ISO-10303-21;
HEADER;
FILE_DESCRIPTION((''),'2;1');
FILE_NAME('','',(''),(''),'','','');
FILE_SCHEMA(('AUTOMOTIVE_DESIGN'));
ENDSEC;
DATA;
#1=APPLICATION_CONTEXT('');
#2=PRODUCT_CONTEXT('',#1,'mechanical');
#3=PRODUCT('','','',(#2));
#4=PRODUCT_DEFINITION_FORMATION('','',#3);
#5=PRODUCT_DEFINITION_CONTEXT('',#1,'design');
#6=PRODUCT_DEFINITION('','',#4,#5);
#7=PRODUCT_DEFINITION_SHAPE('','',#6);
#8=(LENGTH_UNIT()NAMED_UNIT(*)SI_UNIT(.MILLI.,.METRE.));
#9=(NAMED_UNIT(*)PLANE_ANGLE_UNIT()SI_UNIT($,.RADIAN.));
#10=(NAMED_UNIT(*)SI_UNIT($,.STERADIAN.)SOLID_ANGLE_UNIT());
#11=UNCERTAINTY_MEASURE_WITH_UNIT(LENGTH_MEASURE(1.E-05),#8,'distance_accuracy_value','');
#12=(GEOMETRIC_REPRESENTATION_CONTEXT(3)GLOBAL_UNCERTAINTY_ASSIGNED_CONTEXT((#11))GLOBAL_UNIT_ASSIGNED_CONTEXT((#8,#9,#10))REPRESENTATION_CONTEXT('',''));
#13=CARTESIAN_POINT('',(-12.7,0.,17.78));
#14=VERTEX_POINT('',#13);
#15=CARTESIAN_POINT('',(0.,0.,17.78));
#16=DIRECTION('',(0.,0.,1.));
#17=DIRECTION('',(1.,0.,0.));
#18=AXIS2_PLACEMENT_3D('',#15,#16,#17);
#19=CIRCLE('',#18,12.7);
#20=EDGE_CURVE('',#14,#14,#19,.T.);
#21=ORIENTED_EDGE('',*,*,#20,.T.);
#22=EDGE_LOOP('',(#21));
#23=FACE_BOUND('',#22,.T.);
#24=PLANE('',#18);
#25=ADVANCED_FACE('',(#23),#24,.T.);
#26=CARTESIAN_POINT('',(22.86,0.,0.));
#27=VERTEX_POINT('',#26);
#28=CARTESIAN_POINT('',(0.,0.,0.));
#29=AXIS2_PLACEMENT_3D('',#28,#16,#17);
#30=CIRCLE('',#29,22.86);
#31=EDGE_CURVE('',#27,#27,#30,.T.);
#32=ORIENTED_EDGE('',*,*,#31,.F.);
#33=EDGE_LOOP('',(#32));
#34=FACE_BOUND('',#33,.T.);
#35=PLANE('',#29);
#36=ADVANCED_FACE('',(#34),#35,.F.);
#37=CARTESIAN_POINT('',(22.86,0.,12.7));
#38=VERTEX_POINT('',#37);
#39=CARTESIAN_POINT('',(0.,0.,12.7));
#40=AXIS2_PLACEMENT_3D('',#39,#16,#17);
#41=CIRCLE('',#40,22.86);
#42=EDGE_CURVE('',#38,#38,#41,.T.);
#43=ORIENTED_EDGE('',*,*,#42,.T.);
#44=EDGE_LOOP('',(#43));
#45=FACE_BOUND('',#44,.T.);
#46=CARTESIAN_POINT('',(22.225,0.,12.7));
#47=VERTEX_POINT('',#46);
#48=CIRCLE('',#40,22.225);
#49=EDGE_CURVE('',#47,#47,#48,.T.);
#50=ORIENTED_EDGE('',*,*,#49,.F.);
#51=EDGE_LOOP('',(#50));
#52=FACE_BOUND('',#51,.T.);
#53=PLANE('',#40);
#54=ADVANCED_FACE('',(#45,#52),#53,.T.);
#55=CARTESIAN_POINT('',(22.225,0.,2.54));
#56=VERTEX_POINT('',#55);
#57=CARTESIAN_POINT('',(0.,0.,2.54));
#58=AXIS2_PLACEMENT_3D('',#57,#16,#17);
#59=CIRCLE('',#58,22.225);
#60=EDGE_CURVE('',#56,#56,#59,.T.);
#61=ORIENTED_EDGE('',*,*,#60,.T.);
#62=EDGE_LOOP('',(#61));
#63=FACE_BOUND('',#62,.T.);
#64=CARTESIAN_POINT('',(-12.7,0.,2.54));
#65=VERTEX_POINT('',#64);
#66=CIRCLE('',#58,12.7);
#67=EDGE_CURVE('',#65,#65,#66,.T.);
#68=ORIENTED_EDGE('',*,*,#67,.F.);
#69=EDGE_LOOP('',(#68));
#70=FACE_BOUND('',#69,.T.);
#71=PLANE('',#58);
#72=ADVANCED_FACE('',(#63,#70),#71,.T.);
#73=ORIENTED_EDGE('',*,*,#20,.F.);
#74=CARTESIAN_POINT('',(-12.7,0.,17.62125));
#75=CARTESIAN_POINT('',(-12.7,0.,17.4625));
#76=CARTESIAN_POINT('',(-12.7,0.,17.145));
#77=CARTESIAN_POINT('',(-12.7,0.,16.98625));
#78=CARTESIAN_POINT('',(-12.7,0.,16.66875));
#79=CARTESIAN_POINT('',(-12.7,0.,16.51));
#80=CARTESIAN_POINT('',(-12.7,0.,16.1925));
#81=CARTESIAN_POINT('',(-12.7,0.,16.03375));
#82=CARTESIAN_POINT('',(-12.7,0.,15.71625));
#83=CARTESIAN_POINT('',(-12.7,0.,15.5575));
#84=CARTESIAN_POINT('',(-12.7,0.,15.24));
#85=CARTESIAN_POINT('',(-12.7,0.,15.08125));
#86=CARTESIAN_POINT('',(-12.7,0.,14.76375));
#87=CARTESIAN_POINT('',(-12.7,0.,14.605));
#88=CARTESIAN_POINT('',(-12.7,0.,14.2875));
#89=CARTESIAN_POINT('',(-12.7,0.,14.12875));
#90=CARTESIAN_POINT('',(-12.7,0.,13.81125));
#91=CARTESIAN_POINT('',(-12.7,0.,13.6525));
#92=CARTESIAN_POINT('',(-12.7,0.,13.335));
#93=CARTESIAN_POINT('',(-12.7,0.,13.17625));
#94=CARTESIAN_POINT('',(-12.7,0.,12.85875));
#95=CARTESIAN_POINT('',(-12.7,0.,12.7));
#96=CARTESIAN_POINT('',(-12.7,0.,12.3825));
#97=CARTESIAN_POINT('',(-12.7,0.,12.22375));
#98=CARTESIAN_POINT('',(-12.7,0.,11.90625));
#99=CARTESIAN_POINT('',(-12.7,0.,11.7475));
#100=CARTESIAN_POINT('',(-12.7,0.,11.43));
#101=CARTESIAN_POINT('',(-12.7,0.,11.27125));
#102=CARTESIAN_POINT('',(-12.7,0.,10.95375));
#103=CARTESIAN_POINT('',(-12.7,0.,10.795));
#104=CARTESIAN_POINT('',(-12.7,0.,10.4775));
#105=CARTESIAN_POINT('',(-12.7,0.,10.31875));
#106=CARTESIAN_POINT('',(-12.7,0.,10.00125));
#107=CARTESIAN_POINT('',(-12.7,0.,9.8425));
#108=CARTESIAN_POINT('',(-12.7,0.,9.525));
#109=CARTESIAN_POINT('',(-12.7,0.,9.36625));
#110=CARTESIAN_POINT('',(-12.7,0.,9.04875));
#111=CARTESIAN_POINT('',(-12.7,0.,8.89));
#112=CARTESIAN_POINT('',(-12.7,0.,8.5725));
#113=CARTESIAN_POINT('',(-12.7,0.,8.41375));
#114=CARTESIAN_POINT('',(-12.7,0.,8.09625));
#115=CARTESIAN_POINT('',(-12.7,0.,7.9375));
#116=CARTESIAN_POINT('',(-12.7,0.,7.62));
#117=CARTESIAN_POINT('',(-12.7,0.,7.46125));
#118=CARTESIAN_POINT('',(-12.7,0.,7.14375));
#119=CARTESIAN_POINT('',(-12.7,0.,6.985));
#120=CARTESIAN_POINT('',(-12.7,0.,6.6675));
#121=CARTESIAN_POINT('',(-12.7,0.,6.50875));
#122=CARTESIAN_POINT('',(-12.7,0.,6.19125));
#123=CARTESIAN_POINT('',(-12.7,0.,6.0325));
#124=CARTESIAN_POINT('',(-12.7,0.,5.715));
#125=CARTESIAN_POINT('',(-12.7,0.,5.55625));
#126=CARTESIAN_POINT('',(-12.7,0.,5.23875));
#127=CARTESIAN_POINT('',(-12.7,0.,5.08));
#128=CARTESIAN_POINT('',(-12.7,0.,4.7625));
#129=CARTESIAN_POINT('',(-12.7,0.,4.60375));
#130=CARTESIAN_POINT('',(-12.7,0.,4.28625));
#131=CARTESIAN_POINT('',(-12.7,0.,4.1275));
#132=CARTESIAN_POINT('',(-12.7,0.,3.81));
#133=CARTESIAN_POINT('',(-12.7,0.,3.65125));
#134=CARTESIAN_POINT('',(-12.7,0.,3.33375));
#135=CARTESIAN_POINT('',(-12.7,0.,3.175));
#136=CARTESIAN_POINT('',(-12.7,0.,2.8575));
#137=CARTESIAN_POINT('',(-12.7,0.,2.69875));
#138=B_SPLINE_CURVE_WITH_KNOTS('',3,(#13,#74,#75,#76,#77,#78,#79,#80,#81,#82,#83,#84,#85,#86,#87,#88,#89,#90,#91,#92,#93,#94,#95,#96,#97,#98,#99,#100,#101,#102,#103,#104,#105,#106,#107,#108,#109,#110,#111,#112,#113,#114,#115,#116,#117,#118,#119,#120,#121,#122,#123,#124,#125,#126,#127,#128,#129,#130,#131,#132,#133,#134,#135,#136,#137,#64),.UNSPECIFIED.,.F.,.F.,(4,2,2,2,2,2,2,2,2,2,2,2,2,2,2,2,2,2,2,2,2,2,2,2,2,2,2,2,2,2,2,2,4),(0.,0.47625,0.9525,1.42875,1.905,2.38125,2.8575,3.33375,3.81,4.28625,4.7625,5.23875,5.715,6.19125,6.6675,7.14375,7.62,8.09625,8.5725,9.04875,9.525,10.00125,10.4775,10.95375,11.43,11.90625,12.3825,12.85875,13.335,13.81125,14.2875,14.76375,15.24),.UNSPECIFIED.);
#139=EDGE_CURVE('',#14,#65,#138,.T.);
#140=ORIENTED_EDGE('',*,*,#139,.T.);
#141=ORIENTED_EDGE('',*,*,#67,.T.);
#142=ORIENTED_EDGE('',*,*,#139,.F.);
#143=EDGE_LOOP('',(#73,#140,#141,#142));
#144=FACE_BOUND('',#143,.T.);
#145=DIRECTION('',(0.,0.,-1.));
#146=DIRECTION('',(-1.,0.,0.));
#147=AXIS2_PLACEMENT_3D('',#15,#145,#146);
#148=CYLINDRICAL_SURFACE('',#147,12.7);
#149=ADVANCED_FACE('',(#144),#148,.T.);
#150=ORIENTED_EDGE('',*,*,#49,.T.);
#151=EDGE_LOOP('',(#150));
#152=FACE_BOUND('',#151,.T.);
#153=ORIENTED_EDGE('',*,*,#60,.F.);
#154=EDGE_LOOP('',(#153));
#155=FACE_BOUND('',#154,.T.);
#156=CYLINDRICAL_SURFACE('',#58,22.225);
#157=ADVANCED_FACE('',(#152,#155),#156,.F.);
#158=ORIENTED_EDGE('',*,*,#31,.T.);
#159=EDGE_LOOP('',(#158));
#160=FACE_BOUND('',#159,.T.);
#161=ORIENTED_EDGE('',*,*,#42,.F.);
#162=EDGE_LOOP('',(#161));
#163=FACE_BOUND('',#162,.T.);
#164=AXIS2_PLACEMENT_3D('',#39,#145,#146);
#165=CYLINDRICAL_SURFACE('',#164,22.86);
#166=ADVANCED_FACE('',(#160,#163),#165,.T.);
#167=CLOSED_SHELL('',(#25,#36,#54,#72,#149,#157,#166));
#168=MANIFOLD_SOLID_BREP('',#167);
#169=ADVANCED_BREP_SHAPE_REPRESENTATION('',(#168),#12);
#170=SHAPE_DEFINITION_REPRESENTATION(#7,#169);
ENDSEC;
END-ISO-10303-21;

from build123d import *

# Parameters (mm, degrees)
SKETCH1_R           = 22.86
BOSS_EXTRUDE1_DEPTH = 12.7
SKETCH2_R           = 22.225
CUT_EXTRUDE1_DEPTH  = 10.16
SKETCH3_R           = 12.7
BOSS_EXTRUDE2_DEPTH = 15.24


with BuildPart() as part:
    # Sketch1 → Boss-Extrude1 (new body)
    with BuildSketch(Plane.XY):
        Circle(SKETCH1_R)
    extrude(amount=BOSS_EXTRUDE1_DEPTH)

    # Sketch2 → Cut-Extrude1 (cut)
    with BuildSketch(Plane.XY.offset(12.7)):
        Circle(SKETCH2_R)
    extrude(amount=-CUT_EXTRUDE1_DEPTH, mode=Mode.SUBTRACT)

    # Sketch3 → Boss-Extrude2 (add)
    with BuildSketch(Plane.XY.offset(2.54)):
        with Locations(Location((0, 0, 0), (0, 0, 180))):
            Circle(SKETCH3_R)
    extrude(amount=BOSS_EXTRUDE2_DEPTH)


solid = part.part
